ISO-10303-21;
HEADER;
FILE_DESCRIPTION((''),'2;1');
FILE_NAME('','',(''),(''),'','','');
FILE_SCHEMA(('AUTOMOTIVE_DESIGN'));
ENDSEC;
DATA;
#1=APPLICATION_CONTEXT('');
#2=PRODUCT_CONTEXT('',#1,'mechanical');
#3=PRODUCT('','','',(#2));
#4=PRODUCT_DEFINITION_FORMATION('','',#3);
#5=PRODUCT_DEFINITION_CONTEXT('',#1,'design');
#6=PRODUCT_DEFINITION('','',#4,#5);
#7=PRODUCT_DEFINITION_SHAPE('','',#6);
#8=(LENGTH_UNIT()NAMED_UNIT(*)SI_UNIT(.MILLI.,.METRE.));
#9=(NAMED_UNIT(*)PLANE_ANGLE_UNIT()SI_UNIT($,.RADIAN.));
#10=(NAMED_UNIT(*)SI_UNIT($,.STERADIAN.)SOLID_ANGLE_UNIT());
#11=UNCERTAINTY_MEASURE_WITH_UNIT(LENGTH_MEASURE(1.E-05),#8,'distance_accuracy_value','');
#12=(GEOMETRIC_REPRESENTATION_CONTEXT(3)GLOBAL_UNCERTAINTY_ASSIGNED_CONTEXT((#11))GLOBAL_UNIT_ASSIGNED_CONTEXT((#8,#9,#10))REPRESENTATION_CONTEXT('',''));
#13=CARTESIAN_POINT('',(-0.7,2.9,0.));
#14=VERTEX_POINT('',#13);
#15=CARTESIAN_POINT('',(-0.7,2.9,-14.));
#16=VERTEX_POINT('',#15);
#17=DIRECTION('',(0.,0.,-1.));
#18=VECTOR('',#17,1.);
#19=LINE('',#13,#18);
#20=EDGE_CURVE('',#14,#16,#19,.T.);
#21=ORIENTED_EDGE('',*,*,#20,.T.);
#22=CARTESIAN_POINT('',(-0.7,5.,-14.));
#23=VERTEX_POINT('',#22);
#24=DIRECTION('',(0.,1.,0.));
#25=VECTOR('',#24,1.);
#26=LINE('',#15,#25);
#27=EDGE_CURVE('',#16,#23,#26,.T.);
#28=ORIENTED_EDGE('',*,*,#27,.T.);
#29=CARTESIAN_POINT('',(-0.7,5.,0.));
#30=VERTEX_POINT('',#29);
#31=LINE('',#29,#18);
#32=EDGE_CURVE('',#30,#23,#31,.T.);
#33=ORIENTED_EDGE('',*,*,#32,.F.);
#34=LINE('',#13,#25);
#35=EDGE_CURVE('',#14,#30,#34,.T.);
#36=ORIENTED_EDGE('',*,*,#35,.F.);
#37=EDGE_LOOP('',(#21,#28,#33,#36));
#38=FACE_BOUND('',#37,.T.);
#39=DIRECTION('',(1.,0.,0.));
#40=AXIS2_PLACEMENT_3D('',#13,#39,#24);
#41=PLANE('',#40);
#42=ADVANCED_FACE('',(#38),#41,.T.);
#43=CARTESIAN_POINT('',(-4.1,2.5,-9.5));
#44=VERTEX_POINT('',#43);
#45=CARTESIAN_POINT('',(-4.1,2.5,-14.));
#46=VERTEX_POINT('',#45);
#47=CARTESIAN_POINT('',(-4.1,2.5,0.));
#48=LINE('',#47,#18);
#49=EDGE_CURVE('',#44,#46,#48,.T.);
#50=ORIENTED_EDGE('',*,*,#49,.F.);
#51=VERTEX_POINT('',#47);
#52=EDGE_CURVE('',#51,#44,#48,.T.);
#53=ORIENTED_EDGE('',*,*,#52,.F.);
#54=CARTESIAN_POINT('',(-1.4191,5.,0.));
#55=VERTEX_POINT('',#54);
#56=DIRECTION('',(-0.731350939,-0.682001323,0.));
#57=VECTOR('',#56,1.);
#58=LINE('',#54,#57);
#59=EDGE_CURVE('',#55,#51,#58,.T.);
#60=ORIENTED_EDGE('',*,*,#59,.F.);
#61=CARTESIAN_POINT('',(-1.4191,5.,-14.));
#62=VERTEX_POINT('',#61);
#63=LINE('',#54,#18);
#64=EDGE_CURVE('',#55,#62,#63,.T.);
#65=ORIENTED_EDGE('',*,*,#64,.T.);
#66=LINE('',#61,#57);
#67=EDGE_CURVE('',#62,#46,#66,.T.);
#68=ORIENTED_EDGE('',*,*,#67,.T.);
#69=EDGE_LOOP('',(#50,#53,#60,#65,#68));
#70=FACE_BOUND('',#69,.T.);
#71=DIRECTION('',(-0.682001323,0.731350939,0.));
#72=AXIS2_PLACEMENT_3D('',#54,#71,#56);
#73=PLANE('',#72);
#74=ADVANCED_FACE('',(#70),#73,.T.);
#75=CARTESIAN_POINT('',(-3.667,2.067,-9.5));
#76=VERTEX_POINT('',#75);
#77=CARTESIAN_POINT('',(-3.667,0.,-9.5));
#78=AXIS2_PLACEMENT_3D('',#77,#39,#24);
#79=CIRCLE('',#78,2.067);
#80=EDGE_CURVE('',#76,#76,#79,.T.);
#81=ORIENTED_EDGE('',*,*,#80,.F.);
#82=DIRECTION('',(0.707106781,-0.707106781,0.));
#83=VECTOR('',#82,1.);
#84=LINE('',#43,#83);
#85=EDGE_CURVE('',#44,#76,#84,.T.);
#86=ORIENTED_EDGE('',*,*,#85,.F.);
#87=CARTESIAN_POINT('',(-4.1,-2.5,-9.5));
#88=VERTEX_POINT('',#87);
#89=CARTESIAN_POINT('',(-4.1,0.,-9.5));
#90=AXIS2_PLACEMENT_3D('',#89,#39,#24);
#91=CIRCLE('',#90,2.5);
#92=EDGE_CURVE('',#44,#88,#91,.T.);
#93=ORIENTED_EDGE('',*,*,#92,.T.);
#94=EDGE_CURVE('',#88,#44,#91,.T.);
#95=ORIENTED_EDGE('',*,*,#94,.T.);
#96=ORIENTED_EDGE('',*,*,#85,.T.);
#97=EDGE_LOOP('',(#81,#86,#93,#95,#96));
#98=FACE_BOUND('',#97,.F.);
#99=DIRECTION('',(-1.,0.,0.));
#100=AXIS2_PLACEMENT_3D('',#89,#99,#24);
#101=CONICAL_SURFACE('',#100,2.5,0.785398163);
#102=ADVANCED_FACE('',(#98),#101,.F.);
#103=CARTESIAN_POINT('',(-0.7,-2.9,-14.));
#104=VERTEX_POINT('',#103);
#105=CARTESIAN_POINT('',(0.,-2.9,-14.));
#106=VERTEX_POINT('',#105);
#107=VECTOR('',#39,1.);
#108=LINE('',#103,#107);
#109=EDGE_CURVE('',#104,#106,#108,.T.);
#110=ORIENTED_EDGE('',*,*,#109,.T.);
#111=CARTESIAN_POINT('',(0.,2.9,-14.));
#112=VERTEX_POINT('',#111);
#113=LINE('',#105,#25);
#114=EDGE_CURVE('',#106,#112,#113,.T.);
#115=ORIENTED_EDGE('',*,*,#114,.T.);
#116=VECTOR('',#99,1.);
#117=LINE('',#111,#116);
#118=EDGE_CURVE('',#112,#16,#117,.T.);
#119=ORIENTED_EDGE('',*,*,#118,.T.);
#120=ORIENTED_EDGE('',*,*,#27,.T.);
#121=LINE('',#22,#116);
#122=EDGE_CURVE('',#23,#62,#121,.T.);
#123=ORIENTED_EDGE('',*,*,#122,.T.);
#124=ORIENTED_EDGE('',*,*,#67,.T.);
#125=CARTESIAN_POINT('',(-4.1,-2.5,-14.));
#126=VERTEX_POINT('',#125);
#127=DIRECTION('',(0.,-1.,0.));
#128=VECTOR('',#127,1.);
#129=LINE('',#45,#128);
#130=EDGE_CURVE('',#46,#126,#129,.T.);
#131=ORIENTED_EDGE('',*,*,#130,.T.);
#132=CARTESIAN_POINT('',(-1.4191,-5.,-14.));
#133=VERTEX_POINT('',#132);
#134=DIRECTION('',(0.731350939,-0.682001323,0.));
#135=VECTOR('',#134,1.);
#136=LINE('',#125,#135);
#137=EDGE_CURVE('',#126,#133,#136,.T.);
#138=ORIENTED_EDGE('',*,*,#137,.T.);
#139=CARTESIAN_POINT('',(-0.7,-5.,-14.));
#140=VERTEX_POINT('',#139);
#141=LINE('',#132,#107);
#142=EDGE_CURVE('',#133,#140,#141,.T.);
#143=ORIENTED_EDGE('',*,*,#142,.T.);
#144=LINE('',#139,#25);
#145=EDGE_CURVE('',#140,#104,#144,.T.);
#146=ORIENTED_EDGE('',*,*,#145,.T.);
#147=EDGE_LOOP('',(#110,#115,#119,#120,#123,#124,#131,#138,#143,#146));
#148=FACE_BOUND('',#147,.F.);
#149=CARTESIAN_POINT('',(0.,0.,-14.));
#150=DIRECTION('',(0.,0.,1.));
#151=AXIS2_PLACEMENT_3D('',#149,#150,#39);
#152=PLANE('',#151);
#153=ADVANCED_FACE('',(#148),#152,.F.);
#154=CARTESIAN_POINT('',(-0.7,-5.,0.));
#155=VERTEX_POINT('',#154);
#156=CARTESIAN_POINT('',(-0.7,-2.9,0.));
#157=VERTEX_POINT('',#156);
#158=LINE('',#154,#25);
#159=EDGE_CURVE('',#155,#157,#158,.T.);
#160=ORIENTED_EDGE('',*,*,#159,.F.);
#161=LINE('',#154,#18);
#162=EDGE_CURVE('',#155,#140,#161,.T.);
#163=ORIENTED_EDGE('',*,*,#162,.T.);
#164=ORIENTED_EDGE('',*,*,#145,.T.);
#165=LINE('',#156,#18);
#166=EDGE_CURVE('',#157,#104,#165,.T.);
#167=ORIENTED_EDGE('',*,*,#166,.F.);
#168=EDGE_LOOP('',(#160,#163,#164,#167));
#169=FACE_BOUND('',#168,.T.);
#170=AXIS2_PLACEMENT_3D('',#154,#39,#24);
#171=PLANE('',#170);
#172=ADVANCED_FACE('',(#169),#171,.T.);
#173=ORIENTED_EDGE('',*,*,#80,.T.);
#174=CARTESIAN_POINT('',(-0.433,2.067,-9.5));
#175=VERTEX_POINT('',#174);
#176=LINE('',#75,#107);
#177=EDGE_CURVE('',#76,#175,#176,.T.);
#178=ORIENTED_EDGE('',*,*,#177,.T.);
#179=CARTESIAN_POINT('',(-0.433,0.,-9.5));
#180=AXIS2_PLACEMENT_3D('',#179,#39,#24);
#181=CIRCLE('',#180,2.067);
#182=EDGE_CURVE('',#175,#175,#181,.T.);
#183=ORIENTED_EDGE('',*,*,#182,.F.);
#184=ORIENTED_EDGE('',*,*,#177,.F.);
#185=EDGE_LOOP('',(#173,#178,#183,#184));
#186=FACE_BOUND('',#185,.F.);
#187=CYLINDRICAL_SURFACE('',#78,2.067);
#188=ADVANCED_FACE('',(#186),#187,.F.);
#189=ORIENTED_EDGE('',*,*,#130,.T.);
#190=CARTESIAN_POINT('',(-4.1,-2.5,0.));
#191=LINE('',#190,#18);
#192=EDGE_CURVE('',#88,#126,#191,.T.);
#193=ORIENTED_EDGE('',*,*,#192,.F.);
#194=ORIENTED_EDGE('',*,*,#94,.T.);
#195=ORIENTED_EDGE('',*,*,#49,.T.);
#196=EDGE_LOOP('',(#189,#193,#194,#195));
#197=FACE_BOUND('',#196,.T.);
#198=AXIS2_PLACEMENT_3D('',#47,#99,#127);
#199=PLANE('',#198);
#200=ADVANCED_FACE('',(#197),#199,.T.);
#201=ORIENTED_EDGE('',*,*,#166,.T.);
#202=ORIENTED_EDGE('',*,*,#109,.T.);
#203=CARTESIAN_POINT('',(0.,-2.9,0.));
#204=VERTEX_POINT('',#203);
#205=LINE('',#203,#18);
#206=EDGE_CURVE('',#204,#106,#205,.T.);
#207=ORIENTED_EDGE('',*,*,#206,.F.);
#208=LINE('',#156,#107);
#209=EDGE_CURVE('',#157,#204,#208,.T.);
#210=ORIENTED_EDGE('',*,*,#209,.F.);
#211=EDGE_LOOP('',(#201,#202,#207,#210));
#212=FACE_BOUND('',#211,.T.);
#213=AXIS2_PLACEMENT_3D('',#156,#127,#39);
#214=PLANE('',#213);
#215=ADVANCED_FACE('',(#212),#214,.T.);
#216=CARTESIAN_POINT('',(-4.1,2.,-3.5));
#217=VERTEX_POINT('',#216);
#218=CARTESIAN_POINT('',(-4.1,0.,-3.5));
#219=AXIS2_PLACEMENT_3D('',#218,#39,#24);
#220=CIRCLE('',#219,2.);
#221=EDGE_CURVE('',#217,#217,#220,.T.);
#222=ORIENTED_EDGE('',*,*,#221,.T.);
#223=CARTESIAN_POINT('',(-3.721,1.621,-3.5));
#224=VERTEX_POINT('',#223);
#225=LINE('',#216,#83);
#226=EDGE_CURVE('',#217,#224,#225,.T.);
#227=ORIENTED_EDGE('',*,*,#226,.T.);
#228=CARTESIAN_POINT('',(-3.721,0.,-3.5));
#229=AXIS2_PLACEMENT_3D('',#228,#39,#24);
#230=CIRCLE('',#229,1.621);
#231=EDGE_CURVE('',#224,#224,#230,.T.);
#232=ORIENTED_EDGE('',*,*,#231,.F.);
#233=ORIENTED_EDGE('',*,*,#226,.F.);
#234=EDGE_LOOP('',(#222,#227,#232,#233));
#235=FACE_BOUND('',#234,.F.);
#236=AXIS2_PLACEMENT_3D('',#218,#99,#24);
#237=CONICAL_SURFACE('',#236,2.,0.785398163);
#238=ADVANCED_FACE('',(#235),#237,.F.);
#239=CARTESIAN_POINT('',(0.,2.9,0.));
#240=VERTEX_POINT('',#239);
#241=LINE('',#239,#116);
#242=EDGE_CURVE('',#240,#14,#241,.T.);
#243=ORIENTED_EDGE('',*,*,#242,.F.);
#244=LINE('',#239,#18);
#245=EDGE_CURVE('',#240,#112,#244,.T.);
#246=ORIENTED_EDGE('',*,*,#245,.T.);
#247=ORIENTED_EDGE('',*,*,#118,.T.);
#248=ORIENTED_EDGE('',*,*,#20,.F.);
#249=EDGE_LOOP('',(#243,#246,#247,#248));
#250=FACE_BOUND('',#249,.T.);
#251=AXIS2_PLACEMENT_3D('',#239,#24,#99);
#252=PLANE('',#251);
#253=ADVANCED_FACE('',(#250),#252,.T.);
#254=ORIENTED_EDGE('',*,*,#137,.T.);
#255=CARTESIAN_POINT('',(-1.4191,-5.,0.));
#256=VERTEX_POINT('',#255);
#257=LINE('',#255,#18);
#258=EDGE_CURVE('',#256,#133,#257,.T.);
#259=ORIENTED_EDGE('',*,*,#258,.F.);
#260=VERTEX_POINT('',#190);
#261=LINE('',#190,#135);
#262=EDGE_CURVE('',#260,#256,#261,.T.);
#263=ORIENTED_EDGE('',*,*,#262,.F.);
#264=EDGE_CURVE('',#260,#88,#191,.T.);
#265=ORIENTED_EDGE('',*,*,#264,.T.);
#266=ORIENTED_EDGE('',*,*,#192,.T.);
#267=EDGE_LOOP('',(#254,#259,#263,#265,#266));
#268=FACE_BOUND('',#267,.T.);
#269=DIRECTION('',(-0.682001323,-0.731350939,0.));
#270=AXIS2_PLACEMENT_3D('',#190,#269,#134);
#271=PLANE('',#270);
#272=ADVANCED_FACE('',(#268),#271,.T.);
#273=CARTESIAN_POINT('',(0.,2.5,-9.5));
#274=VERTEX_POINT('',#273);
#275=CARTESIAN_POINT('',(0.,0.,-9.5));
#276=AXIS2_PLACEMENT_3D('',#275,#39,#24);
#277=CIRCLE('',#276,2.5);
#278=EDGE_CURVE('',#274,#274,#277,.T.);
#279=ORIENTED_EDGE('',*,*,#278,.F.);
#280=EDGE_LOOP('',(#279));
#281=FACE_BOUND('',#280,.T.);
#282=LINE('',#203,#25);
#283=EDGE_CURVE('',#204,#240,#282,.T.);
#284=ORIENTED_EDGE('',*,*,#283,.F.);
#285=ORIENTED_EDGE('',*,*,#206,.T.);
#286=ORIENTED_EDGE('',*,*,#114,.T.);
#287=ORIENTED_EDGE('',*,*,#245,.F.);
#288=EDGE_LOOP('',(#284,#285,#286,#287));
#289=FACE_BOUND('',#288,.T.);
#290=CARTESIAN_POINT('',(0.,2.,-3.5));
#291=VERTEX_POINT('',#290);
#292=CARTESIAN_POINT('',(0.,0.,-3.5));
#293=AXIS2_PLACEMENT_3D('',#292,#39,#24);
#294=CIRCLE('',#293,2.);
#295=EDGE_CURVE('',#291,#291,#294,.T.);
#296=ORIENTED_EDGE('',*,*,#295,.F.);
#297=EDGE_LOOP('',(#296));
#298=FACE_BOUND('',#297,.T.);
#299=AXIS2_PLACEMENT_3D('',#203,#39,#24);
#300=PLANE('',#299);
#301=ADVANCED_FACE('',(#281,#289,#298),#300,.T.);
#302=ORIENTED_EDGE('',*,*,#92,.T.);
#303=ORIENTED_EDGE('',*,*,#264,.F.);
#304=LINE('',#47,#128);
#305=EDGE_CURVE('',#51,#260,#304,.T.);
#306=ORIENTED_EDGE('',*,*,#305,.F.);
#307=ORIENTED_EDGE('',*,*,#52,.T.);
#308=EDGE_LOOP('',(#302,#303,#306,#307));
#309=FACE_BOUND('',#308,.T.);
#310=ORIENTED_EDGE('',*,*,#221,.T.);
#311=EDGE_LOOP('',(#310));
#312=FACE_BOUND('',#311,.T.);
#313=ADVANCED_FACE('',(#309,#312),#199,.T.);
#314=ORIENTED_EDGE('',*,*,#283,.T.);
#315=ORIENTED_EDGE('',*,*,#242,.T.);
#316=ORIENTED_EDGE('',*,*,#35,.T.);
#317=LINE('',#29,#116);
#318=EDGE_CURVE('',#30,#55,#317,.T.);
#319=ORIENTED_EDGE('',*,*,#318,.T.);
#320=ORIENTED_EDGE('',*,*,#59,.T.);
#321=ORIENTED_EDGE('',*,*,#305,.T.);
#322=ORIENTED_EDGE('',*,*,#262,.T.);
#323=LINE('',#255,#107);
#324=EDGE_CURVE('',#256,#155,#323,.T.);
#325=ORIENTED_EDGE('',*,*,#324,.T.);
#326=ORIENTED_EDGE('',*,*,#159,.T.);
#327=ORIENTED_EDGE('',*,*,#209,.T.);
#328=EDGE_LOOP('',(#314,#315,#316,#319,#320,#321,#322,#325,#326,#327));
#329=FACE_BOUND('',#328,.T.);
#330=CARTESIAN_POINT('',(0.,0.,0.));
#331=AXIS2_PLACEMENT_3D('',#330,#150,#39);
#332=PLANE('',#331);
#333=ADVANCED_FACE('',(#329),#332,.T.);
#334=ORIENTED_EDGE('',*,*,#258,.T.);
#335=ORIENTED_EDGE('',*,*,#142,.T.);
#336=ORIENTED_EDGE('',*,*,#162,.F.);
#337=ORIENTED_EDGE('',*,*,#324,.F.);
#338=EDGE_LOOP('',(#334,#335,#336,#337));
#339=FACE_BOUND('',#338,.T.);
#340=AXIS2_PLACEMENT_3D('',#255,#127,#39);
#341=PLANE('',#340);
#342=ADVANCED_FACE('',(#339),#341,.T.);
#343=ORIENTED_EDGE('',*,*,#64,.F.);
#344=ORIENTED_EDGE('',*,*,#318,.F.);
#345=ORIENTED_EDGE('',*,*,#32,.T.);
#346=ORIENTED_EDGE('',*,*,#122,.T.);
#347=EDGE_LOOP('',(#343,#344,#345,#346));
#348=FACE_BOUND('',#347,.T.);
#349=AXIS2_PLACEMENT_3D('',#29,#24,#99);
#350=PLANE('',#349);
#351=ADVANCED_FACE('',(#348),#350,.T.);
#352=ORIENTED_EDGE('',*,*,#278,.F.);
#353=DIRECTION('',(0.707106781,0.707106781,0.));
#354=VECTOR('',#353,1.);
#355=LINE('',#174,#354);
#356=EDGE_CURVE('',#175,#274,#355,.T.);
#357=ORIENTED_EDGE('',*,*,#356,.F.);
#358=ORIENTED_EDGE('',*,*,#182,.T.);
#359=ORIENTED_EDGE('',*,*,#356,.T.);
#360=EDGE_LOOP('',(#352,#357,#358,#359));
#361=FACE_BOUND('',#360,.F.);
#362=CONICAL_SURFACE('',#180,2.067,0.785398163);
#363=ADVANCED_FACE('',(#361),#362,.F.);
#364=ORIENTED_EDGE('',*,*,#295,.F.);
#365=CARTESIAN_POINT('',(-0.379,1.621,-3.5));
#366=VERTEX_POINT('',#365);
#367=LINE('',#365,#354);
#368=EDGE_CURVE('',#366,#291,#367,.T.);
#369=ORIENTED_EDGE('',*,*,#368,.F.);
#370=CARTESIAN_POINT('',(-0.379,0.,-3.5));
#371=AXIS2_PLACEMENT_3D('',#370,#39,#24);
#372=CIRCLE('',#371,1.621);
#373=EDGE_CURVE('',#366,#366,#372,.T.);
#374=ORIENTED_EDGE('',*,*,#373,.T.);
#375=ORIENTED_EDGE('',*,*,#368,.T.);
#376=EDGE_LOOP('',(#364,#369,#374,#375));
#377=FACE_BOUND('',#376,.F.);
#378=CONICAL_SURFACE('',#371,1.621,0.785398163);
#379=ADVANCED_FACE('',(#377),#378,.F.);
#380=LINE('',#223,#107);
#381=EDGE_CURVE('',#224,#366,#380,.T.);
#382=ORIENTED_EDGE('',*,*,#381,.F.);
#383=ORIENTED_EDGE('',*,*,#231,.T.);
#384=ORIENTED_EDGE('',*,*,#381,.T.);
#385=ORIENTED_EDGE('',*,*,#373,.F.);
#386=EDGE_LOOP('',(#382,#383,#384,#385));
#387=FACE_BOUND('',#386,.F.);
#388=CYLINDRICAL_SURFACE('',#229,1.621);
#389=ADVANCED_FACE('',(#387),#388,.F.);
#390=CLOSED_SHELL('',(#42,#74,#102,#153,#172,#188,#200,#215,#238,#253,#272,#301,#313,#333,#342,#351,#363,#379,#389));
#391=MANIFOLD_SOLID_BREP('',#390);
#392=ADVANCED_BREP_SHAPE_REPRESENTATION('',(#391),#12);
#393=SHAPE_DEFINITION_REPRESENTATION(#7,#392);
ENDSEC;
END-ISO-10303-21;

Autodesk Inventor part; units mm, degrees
sketch "Sketch_1" plane through (0, 0, 0) normal (0, 0, 1) x (1, 0, 0)
  line L0 (-4.1, -2.5) -> (-1.4191, -5)
  line L1 (-1.4191, -5) -> (-0.7, -5)
  line L2 (-0.7, -5) -> (-0.7, -2.9)
  line L3 (-0.7, -2.9) -> (0, -2.9)
  line L4 (0, -2.9) -> (0, 2.9)
  line L5 (0, 2.9) -> (-0.7, 2.9)
  line L6 (-0.7, 2.9) -> (-0.7, 5)
  line L7 (-0.7, 5) -> (-1.4191, 5)
  line L8 (-1.4191, 5) -> (-4.1, 2.5)
  line L9 (-4.1, 2.5) -> (-4.1, -2.5)
extrude "Extrusion1" add sketch "Sketch_1" against normal blind 14
sketch "Sketch_2" plane through (0, 0, -3.5) normal (0, 0, 1) x (1, 0, 0)
  line L0 (0, 0) -> (-4.1, 0)
  line L1 (-4.1, 0) -> (-4.1, 2)
  line L2 (-4.1, 2) -> (-3.721, 1.621)
  line L3 (-3.721, 1.621) -> (-0.379, 1.621)
  line L4 (-0.379, 1.621) -> (0, 2)
  line L5 (0, 2) -> (0, 0)
  line L6 (0, 0) -> (-4.1, 0)
revolve "Revolution1" cut sketch "Sketch_2" angle 360 about axis through (0, 0, -3.5) along (1, 0, 0)
thread "Thread1" size "M4x0.7" class "6H" standard "ISO Metric profile" full length
sketch "Sketch_3" plane through (0, 0, -9.5) normal (0, 0, 1) x (1, 0, 0)
  line L0 (0, 0) -> (-4.1, 0)
  line L1 (-4.1, 0) -> (-4.1, 2.5)
  line L2 (-4.1, 2.5) -> (-3.667, 2.067)
  line L3 (-3.667, 2.067) -> (-0.433, 2.067)
  line L4 (-0.433, 2.067) -> (0, 2.5)
  line L5 (0, 2.5) -> (0, 0)
  line L6 (0, 0) -> (-4.1, 0)
revolve "Revolution2" cut sketch "Sketch_3" angle 360 about axis through (0, 0, -9.5) along (1, 0, 0)
thread "Thread2" size "M5x0.8" class "6H" standard "ISO Metric profile" full length
ref_plane "bolt_XY" through (-4.1, 0, -9.5) normal (1, 0, 0) x (0, 0, -1)
ref_plane "bolt_YZ" through (-4.1, 0, -9.5) normal (0, 0, -1) x (0, 1, 0)
ref_plane "bolt_ZX" through (-4.1, 0, -9.5) normal (0, 1, 0) x (1, 0, 0)
ref_plane "frame_XY" through (-0.7, 0, -9.5) normal (1, 0, 0) x (0, 0, -1)
ref_plane "frame_YZ" through (-0.7, 0, -9.5) normal (0, 0, -1) x (0, 1, 0)
ref_plane "frame_ZX" through (-0.7, 0, -9.5) normal (0, 1, 0) x (1, 0, 0)
ref_plane "nut_XY" through (0, 0, -9.5) normal (1, 0, 0) x (0, 0, -1)
ref_plane "nut_YZ" through (0, 0, -9.5) normal (0, 0, -1) x (0, 1, 0)
ref_plane "nut_ZX" through (0, 0, -9.5) normal (0, 1, 0) x (1, 0, 0)
ref_plane "set_screw_XY" through (-4.1, 0, -3.5) normal (1, 0, 0) x (0, 0, -1)
ref_plane "set_screw_YZ" through (-4.1, 0, -3.5) normal (0, 0, -1) x (0, 1, 0)
ref_plane "set_screw_ZX" through (-4.1, 0, -3.5) normal (0, 1, 0) x (1, 0, 0)
properties part number "HNTC5_n" material "鋼、炭素鋼"
